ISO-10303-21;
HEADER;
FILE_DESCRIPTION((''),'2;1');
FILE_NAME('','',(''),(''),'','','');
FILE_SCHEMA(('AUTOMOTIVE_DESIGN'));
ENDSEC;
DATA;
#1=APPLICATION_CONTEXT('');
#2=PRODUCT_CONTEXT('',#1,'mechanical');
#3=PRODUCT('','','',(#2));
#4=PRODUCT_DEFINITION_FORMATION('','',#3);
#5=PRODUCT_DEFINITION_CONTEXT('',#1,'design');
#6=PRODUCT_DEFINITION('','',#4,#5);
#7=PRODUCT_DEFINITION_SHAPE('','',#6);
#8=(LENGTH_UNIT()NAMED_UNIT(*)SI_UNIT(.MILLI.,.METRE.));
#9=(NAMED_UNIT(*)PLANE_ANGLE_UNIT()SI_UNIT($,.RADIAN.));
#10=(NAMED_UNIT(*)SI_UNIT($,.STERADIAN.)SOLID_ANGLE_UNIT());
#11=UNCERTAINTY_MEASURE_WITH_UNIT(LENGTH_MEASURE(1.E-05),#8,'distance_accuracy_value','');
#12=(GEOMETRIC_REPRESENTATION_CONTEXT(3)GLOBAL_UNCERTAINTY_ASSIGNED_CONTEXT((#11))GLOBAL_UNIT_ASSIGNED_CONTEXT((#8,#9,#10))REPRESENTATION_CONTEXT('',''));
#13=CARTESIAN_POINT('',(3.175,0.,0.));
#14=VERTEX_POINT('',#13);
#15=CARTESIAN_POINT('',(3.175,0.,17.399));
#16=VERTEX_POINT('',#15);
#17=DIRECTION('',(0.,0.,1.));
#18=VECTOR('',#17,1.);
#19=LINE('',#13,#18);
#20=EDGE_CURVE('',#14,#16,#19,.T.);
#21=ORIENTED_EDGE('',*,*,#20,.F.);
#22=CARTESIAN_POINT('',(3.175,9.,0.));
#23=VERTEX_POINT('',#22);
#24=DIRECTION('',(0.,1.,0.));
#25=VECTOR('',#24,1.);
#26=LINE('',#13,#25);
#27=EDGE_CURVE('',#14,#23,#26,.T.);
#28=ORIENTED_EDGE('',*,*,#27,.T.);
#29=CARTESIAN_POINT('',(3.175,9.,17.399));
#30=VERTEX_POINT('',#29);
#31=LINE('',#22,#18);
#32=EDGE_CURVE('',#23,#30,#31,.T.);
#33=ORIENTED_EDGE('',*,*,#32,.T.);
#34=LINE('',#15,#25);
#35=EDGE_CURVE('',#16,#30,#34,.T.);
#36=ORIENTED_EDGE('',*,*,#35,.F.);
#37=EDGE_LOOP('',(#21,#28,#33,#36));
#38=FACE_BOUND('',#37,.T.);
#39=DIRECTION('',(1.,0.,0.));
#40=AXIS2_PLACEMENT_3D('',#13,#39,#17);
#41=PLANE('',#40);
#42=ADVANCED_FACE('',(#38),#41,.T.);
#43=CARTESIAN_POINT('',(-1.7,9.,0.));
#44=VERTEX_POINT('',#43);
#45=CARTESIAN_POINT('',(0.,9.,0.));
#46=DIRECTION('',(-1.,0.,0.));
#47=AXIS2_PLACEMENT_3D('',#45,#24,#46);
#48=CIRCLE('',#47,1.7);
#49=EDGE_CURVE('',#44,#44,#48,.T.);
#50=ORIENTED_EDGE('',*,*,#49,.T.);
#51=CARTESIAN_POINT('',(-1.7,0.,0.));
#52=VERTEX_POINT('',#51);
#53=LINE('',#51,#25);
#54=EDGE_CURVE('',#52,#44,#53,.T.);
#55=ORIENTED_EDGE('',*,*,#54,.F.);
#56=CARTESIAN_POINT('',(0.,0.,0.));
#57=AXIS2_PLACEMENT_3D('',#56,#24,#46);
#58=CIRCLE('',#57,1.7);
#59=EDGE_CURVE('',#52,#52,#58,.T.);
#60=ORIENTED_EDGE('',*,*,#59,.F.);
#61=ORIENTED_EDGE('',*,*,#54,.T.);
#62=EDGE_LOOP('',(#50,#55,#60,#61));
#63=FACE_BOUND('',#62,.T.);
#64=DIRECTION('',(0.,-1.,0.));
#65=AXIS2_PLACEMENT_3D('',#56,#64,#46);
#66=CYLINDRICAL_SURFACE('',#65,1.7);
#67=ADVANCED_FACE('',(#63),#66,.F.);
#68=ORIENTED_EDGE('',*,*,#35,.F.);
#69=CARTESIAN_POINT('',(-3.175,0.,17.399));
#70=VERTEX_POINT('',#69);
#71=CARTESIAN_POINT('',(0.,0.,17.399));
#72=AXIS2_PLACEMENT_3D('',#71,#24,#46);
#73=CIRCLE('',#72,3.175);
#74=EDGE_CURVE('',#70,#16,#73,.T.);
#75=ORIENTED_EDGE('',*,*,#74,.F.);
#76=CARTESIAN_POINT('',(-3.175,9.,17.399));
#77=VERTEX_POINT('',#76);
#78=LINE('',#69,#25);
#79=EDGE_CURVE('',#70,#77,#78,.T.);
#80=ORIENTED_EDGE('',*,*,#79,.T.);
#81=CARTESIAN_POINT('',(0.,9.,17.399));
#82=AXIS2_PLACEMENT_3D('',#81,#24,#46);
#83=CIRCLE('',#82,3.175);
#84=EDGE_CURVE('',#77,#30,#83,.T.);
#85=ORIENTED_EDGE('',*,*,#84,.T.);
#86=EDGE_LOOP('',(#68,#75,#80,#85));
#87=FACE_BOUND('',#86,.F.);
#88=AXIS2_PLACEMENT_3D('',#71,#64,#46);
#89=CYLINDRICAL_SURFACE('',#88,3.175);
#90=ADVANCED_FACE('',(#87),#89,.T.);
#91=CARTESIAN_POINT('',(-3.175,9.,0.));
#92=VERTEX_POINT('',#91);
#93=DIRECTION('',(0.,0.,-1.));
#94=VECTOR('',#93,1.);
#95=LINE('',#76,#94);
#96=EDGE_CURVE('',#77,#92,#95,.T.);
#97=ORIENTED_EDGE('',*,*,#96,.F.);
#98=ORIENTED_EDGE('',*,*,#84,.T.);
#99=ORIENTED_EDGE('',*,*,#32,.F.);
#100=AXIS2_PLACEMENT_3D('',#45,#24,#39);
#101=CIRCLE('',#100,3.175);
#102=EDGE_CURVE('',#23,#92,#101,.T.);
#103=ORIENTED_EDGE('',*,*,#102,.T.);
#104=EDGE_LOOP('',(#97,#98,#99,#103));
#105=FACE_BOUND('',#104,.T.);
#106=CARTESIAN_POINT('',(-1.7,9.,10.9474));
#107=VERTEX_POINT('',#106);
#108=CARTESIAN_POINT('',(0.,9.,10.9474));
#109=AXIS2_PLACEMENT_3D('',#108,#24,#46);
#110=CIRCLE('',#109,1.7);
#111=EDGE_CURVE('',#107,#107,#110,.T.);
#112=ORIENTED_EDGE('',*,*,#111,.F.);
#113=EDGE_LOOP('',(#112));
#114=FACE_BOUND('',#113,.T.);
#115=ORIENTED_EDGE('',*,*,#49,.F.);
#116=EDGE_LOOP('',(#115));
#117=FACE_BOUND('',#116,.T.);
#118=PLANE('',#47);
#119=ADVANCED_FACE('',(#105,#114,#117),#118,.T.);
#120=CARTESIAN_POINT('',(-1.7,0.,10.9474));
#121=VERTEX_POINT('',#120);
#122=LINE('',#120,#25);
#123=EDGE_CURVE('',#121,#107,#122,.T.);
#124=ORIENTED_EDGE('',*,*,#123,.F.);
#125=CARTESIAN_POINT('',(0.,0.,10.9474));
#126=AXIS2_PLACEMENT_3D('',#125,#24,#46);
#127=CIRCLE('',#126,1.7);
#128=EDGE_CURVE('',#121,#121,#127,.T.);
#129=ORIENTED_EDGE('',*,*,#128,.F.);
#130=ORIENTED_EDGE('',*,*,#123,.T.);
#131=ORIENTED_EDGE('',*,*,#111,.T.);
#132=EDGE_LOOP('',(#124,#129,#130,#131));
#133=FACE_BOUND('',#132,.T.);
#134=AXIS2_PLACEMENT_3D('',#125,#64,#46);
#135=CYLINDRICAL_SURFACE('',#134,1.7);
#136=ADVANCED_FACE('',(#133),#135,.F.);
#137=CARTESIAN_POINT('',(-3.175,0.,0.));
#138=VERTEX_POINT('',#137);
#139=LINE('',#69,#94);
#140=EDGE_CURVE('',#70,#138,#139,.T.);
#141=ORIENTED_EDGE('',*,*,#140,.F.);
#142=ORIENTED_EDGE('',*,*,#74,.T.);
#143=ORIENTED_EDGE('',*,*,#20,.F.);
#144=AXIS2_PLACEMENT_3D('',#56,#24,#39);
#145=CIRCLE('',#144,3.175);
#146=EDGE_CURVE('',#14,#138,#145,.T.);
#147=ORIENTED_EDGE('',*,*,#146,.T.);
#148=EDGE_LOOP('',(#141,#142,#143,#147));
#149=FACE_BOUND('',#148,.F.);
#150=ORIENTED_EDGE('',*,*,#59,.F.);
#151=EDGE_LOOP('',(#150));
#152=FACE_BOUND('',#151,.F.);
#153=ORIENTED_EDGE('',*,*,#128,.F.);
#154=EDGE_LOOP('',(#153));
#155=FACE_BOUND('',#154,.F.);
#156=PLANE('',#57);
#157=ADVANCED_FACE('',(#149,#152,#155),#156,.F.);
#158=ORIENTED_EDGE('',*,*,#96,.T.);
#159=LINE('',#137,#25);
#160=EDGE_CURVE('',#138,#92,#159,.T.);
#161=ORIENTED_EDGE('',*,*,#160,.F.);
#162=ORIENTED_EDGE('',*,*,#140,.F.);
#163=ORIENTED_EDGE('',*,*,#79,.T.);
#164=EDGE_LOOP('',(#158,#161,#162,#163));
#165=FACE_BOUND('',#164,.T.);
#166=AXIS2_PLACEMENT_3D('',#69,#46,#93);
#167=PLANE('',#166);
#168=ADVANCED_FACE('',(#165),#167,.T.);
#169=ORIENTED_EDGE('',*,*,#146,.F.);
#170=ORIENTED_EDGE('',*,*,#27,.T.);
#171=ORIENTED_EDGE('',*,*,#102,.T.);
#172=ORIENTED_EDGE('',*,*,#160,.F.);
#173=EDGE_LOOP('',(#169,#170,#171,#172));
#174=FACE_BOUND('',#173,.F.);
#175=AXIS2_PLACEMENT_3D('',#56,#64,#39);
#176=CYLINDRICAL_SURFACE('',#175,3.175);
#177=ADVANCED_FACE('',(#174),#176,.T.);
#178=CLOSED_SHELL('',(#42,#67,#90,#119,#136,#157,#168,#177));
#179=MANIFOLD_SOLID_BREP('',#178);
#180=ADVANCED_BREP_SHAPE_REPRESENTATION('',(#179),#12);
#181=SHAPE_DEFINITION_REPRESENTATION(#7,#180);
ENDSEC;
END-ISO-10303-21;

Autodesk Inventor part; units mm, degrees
ref_plane "YZ Plane" through (0, 0, 0) normal (1, 0, 0) x (0, 1, 0)
ref_plane "XZ Plane" through (0, 0, 0) normal (0, 1, 0) x (-1, 0, 0)
ref_plane "XY Plane" through (0, 0, 0) normal (0, 0, 1) x (1, 0, 0)
sketch "Sketch1" plane through (0, 0, 0) normal (0, 1, 0) x (-1, 0, 0)
  circle A0 centre (0, 0) radius 1.7
  arc A1 (-3.175, 0) -> (3.175, 0) centre (0, 0) ccw
  line L0 (-3.175, 0) -> (-3.175, 17.399)
  line L1 (3.175, 17.399) -> (3.175, 0)
  arc A2 (3.175, 17.399) -> (-3.175, 17.399) centre (0, 17.399) ccw
  circle A3 centre (0, 10.9474) radius 1.7
  dimension "d0" = 3.4
  dimension "d1" = 6.35
  dimension "d6" = 6.35
  dimension "d8" = 17.399
  dimension "d9" = 3.4
  dimension "d10" = 10.9474
extrude "Extrusion1" add sketch "Sketch1" along normal blind 9
properties part number "Limit switch trigger spacer extension arm"
